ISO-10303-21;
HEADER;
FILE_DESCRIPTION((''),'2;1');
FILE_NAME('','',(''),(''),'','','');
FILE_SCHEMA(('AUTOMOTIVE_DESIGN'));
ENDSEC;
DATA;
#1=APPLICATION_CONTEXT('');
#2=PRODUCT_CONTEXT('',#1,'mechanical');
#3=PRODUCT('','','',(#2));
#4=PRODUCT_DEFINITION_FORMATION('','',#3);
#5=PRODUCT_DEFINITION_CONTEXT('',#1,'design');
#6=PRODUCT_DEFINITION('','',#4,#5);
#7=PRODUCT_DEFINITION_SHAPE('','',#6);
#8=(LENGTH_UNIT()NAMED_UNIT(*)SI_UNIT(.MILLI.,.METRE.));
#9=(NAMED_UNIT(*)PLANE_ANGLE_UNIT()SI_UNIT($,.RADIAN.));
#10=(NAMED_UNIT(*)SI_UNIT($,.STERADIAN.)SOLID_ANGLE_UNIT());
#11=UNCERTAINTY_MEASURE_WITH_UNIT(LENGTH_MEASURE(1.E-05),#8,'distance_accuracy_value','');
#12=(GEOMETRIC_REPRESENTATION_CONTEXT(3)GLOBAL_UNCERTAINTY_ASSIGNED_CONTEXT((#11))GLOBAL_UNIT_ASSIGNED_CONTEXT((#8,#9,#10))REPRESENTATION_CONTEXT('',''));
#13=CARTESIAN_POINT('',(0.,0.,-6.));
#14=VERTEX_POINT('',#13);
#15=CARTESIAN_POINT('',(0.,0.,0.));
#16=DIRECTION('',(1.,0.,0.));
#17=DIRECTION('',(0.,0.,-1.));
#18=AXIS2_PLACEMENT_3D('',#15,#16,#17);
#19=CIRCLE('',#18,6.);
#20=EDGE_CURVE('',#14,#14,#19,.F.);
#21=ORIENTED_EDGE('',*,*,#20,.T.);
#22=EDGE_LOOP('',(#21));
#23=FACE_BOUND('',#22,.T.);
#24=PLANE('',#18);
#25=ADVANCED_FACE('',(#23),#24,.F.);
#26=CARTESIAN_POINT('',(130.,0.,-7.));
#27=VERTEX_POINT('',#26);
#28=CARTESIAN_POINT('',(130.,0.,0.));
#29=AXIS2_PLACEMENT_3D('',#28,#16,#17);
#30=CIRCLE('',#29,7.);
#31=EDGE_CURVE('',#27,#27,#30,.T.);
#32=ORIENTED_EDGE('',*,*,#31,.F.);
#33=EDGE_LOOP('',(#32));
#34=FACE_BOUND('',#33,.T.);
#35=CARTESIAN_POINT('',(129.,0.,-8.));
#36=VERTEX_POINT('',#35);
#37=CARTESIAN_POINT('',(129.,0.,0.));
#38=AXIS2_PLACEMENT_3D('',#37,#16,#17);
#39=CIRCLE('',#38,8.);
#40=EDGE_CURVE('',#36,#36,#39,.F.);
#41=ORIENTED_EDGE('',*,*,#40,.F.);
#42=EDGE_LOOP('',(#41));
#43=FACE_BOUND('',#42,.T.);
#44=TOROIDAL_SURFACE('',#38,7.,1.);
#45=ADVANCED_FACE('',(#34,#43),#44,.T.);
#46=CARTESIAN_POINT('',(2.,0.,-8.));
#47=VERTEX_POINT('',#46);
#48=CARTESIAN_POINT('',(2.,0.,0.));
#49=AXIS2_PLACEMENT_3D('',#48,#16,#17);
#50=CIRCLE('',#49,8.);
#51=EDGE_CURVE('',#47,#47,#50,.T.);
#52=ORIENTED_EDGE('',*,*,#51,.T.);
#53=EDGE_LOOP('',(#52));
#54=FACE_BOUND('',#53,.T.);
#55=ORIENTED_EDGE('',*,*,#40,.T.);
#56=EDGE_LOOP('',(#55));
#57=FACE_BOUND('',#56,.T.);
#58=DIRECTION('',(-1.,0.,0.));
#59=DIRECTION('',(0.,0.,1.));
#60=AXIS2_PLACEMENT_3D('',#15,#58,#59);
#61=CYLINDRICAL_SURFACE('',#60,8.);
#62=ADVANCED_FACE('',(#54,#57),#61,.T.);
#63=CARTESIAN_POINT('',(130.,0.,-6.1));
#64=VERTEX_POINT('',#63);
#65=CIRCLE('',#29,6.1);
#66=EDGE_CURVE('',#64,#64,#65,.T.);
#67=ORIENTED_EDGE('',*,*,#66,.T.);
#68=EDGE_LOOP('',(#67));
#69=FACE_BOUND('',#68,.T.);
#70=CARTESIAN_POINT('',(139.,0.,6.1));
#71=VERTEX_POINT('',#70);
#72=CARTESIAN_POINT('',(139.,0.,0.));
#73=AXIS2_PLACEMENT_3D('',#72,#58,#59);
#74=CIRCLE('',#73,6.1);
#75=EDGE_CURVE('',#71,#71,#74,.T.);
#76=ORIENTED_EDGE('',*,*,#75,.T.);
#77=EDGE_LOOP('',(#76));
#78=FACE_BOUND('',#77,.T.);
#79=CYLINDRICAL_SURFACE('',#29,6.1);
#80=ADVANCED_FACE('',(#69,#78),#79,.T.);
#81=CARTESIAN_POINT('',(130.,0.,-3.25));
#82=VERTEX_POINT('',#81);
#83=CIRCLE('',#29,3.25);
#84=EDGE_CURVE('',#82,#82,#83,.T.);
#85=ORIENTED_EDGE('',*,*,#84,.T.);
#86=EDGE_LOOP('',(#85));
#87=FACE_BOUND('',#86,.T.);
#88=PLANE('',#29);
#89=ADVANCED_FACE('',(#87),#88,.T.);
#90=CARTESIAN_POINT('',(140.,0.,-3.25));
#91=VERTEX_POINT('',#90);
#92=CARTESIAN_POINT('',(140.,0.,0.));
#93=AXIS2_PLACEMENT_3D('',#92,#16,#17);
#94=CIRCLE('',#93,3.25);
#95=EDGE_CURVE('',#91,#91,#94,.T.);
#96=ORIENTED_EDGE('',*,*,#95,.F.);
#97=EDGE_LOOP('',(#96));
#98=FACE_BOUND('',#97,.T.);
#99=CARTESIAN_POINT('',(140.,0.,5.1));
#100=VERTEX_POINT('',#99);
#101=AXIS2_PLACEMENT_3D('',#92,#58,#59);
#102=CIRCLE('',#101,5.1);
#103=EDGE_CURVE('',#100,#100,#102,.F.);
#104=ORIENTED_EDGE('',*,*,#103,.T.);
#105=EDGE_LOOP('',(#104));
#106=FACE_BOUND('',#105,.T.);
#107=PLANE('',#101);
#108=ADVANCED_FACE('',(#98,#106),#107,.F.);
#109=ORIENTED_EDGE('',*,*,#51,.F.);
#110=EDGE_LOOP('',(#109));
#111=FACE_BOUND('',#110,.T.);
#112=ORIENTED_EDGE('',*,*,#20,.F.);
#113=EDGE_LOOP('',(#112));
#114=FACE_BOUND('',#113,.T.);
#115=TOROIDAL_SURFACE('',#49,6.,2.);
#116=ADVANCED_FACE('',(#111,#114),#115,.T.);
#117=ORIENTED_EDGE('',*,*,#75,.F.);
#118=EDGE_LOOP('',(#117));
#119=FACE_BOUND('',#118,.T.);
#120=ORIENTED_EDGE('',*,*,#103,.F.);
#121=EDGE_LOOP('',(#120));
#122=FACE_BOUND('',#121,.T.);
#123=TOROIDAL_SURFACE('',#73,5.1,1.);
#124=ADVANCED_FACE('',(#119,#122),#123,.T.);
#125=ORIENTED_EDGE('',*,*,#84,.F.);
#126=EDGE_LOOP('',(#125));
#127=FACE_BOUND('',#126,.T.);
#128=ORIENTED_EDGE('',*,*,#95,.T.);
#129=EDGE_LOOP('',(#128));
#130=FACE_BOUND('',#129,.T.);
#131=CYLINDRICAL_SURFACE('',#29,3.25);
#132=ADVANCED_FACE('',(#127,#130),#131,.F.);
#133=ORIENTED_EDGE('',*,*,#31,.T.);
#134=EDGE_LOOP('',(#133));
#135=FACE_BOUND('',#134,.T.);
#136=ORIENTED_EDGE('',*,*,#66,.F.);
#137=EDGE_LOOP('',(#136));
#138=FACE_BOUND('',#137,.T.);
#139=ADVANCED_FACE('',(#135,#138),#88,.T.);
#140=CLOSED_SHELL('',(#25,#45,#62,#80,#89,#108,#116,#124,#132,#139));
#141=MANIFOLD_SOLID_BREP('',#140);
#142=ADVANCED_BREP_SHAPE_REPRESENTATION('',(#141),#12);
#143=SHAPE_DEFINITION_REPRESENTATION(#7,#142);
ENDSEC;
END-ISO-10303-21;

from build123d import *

# Parameters (mm, degrees)
IZIM1_W               = 140
IZIM1_H               = 8
KES_EKSTR_ZYON1_START = -10
IZIM2_R               = 8
IZIM2_R_2             = 6.1
KES_EKSTR_ZYON1_DEPTH = 10
IZIM3_R               = 3.25
KES_EKSTR_ZYON2_DEPTH = 10
RADYUS1_R             = 2
RADYUS2_R             = 1


with BuildPart() as part:
    # Çizim1 → Döndür1 (revolve)
    with BuildSketch(Plane.XY, mode=Mode.PRIVATE) as d_nd_r1_sk:
        with Locations((70, 4)):
            Rectangle(IZIM1_W, IZIM1_H)
    revolve(d_nd_r1_sk.sketch.rotate(Axis((0, 0, 0), (1, 0, 0)), 90), axis=Axis((0, 0, 0), (1, 0, 0)))

    # Çizim2 → Kes-Ekstrüzyon1 (cut)
    with BuildSketch(Plane(origin=(140, 0, 0), x_dir=(0, 0, -1), z_dir=(1, 0, 0)).offset(KES_EKSTR_ZYON1_START)):
        with Locations(Location((0, 0, 0), (0, 0, 180))):
            Circle(IZIM2_R)
        Circle(IZIM2_R_2, mode=Mode.SUBTRACT)
    extrude(amount=KES_EKSTR_ZYON1_DEPTH, mode=Mode.SUBTRACT)

    # Çizim3 → Kes-Ekstrüzyon2 (cut)
    with BuildSketch(Plane(origin=(140, 0, 0), x_dir=(0, 0, -1), z_dir=(1, 0, 0))):
        Circle(IZIM3_R)
    extrude(amount=-KES_EKSTR_ZYON2_DEPTH, mode=Mode.SUBTRACT)

    # Radyus1
    radyus1_edges = [part.edges().sort_by_distance(p)[0] for p in [
        (0, 0, -8),
    ]]
    fillet(radyus1_edges, radius=RADYUS1_R)

    # Radyus2
    radyus2_edges = [part.edges().sort_by_distance(p)[0] for p in [
        (130, 0, -8),
        (140, 0, 6.1),
    ]]
    fillet(radyus2_edges, radius=RADYUS2_R)


solid = part.part
